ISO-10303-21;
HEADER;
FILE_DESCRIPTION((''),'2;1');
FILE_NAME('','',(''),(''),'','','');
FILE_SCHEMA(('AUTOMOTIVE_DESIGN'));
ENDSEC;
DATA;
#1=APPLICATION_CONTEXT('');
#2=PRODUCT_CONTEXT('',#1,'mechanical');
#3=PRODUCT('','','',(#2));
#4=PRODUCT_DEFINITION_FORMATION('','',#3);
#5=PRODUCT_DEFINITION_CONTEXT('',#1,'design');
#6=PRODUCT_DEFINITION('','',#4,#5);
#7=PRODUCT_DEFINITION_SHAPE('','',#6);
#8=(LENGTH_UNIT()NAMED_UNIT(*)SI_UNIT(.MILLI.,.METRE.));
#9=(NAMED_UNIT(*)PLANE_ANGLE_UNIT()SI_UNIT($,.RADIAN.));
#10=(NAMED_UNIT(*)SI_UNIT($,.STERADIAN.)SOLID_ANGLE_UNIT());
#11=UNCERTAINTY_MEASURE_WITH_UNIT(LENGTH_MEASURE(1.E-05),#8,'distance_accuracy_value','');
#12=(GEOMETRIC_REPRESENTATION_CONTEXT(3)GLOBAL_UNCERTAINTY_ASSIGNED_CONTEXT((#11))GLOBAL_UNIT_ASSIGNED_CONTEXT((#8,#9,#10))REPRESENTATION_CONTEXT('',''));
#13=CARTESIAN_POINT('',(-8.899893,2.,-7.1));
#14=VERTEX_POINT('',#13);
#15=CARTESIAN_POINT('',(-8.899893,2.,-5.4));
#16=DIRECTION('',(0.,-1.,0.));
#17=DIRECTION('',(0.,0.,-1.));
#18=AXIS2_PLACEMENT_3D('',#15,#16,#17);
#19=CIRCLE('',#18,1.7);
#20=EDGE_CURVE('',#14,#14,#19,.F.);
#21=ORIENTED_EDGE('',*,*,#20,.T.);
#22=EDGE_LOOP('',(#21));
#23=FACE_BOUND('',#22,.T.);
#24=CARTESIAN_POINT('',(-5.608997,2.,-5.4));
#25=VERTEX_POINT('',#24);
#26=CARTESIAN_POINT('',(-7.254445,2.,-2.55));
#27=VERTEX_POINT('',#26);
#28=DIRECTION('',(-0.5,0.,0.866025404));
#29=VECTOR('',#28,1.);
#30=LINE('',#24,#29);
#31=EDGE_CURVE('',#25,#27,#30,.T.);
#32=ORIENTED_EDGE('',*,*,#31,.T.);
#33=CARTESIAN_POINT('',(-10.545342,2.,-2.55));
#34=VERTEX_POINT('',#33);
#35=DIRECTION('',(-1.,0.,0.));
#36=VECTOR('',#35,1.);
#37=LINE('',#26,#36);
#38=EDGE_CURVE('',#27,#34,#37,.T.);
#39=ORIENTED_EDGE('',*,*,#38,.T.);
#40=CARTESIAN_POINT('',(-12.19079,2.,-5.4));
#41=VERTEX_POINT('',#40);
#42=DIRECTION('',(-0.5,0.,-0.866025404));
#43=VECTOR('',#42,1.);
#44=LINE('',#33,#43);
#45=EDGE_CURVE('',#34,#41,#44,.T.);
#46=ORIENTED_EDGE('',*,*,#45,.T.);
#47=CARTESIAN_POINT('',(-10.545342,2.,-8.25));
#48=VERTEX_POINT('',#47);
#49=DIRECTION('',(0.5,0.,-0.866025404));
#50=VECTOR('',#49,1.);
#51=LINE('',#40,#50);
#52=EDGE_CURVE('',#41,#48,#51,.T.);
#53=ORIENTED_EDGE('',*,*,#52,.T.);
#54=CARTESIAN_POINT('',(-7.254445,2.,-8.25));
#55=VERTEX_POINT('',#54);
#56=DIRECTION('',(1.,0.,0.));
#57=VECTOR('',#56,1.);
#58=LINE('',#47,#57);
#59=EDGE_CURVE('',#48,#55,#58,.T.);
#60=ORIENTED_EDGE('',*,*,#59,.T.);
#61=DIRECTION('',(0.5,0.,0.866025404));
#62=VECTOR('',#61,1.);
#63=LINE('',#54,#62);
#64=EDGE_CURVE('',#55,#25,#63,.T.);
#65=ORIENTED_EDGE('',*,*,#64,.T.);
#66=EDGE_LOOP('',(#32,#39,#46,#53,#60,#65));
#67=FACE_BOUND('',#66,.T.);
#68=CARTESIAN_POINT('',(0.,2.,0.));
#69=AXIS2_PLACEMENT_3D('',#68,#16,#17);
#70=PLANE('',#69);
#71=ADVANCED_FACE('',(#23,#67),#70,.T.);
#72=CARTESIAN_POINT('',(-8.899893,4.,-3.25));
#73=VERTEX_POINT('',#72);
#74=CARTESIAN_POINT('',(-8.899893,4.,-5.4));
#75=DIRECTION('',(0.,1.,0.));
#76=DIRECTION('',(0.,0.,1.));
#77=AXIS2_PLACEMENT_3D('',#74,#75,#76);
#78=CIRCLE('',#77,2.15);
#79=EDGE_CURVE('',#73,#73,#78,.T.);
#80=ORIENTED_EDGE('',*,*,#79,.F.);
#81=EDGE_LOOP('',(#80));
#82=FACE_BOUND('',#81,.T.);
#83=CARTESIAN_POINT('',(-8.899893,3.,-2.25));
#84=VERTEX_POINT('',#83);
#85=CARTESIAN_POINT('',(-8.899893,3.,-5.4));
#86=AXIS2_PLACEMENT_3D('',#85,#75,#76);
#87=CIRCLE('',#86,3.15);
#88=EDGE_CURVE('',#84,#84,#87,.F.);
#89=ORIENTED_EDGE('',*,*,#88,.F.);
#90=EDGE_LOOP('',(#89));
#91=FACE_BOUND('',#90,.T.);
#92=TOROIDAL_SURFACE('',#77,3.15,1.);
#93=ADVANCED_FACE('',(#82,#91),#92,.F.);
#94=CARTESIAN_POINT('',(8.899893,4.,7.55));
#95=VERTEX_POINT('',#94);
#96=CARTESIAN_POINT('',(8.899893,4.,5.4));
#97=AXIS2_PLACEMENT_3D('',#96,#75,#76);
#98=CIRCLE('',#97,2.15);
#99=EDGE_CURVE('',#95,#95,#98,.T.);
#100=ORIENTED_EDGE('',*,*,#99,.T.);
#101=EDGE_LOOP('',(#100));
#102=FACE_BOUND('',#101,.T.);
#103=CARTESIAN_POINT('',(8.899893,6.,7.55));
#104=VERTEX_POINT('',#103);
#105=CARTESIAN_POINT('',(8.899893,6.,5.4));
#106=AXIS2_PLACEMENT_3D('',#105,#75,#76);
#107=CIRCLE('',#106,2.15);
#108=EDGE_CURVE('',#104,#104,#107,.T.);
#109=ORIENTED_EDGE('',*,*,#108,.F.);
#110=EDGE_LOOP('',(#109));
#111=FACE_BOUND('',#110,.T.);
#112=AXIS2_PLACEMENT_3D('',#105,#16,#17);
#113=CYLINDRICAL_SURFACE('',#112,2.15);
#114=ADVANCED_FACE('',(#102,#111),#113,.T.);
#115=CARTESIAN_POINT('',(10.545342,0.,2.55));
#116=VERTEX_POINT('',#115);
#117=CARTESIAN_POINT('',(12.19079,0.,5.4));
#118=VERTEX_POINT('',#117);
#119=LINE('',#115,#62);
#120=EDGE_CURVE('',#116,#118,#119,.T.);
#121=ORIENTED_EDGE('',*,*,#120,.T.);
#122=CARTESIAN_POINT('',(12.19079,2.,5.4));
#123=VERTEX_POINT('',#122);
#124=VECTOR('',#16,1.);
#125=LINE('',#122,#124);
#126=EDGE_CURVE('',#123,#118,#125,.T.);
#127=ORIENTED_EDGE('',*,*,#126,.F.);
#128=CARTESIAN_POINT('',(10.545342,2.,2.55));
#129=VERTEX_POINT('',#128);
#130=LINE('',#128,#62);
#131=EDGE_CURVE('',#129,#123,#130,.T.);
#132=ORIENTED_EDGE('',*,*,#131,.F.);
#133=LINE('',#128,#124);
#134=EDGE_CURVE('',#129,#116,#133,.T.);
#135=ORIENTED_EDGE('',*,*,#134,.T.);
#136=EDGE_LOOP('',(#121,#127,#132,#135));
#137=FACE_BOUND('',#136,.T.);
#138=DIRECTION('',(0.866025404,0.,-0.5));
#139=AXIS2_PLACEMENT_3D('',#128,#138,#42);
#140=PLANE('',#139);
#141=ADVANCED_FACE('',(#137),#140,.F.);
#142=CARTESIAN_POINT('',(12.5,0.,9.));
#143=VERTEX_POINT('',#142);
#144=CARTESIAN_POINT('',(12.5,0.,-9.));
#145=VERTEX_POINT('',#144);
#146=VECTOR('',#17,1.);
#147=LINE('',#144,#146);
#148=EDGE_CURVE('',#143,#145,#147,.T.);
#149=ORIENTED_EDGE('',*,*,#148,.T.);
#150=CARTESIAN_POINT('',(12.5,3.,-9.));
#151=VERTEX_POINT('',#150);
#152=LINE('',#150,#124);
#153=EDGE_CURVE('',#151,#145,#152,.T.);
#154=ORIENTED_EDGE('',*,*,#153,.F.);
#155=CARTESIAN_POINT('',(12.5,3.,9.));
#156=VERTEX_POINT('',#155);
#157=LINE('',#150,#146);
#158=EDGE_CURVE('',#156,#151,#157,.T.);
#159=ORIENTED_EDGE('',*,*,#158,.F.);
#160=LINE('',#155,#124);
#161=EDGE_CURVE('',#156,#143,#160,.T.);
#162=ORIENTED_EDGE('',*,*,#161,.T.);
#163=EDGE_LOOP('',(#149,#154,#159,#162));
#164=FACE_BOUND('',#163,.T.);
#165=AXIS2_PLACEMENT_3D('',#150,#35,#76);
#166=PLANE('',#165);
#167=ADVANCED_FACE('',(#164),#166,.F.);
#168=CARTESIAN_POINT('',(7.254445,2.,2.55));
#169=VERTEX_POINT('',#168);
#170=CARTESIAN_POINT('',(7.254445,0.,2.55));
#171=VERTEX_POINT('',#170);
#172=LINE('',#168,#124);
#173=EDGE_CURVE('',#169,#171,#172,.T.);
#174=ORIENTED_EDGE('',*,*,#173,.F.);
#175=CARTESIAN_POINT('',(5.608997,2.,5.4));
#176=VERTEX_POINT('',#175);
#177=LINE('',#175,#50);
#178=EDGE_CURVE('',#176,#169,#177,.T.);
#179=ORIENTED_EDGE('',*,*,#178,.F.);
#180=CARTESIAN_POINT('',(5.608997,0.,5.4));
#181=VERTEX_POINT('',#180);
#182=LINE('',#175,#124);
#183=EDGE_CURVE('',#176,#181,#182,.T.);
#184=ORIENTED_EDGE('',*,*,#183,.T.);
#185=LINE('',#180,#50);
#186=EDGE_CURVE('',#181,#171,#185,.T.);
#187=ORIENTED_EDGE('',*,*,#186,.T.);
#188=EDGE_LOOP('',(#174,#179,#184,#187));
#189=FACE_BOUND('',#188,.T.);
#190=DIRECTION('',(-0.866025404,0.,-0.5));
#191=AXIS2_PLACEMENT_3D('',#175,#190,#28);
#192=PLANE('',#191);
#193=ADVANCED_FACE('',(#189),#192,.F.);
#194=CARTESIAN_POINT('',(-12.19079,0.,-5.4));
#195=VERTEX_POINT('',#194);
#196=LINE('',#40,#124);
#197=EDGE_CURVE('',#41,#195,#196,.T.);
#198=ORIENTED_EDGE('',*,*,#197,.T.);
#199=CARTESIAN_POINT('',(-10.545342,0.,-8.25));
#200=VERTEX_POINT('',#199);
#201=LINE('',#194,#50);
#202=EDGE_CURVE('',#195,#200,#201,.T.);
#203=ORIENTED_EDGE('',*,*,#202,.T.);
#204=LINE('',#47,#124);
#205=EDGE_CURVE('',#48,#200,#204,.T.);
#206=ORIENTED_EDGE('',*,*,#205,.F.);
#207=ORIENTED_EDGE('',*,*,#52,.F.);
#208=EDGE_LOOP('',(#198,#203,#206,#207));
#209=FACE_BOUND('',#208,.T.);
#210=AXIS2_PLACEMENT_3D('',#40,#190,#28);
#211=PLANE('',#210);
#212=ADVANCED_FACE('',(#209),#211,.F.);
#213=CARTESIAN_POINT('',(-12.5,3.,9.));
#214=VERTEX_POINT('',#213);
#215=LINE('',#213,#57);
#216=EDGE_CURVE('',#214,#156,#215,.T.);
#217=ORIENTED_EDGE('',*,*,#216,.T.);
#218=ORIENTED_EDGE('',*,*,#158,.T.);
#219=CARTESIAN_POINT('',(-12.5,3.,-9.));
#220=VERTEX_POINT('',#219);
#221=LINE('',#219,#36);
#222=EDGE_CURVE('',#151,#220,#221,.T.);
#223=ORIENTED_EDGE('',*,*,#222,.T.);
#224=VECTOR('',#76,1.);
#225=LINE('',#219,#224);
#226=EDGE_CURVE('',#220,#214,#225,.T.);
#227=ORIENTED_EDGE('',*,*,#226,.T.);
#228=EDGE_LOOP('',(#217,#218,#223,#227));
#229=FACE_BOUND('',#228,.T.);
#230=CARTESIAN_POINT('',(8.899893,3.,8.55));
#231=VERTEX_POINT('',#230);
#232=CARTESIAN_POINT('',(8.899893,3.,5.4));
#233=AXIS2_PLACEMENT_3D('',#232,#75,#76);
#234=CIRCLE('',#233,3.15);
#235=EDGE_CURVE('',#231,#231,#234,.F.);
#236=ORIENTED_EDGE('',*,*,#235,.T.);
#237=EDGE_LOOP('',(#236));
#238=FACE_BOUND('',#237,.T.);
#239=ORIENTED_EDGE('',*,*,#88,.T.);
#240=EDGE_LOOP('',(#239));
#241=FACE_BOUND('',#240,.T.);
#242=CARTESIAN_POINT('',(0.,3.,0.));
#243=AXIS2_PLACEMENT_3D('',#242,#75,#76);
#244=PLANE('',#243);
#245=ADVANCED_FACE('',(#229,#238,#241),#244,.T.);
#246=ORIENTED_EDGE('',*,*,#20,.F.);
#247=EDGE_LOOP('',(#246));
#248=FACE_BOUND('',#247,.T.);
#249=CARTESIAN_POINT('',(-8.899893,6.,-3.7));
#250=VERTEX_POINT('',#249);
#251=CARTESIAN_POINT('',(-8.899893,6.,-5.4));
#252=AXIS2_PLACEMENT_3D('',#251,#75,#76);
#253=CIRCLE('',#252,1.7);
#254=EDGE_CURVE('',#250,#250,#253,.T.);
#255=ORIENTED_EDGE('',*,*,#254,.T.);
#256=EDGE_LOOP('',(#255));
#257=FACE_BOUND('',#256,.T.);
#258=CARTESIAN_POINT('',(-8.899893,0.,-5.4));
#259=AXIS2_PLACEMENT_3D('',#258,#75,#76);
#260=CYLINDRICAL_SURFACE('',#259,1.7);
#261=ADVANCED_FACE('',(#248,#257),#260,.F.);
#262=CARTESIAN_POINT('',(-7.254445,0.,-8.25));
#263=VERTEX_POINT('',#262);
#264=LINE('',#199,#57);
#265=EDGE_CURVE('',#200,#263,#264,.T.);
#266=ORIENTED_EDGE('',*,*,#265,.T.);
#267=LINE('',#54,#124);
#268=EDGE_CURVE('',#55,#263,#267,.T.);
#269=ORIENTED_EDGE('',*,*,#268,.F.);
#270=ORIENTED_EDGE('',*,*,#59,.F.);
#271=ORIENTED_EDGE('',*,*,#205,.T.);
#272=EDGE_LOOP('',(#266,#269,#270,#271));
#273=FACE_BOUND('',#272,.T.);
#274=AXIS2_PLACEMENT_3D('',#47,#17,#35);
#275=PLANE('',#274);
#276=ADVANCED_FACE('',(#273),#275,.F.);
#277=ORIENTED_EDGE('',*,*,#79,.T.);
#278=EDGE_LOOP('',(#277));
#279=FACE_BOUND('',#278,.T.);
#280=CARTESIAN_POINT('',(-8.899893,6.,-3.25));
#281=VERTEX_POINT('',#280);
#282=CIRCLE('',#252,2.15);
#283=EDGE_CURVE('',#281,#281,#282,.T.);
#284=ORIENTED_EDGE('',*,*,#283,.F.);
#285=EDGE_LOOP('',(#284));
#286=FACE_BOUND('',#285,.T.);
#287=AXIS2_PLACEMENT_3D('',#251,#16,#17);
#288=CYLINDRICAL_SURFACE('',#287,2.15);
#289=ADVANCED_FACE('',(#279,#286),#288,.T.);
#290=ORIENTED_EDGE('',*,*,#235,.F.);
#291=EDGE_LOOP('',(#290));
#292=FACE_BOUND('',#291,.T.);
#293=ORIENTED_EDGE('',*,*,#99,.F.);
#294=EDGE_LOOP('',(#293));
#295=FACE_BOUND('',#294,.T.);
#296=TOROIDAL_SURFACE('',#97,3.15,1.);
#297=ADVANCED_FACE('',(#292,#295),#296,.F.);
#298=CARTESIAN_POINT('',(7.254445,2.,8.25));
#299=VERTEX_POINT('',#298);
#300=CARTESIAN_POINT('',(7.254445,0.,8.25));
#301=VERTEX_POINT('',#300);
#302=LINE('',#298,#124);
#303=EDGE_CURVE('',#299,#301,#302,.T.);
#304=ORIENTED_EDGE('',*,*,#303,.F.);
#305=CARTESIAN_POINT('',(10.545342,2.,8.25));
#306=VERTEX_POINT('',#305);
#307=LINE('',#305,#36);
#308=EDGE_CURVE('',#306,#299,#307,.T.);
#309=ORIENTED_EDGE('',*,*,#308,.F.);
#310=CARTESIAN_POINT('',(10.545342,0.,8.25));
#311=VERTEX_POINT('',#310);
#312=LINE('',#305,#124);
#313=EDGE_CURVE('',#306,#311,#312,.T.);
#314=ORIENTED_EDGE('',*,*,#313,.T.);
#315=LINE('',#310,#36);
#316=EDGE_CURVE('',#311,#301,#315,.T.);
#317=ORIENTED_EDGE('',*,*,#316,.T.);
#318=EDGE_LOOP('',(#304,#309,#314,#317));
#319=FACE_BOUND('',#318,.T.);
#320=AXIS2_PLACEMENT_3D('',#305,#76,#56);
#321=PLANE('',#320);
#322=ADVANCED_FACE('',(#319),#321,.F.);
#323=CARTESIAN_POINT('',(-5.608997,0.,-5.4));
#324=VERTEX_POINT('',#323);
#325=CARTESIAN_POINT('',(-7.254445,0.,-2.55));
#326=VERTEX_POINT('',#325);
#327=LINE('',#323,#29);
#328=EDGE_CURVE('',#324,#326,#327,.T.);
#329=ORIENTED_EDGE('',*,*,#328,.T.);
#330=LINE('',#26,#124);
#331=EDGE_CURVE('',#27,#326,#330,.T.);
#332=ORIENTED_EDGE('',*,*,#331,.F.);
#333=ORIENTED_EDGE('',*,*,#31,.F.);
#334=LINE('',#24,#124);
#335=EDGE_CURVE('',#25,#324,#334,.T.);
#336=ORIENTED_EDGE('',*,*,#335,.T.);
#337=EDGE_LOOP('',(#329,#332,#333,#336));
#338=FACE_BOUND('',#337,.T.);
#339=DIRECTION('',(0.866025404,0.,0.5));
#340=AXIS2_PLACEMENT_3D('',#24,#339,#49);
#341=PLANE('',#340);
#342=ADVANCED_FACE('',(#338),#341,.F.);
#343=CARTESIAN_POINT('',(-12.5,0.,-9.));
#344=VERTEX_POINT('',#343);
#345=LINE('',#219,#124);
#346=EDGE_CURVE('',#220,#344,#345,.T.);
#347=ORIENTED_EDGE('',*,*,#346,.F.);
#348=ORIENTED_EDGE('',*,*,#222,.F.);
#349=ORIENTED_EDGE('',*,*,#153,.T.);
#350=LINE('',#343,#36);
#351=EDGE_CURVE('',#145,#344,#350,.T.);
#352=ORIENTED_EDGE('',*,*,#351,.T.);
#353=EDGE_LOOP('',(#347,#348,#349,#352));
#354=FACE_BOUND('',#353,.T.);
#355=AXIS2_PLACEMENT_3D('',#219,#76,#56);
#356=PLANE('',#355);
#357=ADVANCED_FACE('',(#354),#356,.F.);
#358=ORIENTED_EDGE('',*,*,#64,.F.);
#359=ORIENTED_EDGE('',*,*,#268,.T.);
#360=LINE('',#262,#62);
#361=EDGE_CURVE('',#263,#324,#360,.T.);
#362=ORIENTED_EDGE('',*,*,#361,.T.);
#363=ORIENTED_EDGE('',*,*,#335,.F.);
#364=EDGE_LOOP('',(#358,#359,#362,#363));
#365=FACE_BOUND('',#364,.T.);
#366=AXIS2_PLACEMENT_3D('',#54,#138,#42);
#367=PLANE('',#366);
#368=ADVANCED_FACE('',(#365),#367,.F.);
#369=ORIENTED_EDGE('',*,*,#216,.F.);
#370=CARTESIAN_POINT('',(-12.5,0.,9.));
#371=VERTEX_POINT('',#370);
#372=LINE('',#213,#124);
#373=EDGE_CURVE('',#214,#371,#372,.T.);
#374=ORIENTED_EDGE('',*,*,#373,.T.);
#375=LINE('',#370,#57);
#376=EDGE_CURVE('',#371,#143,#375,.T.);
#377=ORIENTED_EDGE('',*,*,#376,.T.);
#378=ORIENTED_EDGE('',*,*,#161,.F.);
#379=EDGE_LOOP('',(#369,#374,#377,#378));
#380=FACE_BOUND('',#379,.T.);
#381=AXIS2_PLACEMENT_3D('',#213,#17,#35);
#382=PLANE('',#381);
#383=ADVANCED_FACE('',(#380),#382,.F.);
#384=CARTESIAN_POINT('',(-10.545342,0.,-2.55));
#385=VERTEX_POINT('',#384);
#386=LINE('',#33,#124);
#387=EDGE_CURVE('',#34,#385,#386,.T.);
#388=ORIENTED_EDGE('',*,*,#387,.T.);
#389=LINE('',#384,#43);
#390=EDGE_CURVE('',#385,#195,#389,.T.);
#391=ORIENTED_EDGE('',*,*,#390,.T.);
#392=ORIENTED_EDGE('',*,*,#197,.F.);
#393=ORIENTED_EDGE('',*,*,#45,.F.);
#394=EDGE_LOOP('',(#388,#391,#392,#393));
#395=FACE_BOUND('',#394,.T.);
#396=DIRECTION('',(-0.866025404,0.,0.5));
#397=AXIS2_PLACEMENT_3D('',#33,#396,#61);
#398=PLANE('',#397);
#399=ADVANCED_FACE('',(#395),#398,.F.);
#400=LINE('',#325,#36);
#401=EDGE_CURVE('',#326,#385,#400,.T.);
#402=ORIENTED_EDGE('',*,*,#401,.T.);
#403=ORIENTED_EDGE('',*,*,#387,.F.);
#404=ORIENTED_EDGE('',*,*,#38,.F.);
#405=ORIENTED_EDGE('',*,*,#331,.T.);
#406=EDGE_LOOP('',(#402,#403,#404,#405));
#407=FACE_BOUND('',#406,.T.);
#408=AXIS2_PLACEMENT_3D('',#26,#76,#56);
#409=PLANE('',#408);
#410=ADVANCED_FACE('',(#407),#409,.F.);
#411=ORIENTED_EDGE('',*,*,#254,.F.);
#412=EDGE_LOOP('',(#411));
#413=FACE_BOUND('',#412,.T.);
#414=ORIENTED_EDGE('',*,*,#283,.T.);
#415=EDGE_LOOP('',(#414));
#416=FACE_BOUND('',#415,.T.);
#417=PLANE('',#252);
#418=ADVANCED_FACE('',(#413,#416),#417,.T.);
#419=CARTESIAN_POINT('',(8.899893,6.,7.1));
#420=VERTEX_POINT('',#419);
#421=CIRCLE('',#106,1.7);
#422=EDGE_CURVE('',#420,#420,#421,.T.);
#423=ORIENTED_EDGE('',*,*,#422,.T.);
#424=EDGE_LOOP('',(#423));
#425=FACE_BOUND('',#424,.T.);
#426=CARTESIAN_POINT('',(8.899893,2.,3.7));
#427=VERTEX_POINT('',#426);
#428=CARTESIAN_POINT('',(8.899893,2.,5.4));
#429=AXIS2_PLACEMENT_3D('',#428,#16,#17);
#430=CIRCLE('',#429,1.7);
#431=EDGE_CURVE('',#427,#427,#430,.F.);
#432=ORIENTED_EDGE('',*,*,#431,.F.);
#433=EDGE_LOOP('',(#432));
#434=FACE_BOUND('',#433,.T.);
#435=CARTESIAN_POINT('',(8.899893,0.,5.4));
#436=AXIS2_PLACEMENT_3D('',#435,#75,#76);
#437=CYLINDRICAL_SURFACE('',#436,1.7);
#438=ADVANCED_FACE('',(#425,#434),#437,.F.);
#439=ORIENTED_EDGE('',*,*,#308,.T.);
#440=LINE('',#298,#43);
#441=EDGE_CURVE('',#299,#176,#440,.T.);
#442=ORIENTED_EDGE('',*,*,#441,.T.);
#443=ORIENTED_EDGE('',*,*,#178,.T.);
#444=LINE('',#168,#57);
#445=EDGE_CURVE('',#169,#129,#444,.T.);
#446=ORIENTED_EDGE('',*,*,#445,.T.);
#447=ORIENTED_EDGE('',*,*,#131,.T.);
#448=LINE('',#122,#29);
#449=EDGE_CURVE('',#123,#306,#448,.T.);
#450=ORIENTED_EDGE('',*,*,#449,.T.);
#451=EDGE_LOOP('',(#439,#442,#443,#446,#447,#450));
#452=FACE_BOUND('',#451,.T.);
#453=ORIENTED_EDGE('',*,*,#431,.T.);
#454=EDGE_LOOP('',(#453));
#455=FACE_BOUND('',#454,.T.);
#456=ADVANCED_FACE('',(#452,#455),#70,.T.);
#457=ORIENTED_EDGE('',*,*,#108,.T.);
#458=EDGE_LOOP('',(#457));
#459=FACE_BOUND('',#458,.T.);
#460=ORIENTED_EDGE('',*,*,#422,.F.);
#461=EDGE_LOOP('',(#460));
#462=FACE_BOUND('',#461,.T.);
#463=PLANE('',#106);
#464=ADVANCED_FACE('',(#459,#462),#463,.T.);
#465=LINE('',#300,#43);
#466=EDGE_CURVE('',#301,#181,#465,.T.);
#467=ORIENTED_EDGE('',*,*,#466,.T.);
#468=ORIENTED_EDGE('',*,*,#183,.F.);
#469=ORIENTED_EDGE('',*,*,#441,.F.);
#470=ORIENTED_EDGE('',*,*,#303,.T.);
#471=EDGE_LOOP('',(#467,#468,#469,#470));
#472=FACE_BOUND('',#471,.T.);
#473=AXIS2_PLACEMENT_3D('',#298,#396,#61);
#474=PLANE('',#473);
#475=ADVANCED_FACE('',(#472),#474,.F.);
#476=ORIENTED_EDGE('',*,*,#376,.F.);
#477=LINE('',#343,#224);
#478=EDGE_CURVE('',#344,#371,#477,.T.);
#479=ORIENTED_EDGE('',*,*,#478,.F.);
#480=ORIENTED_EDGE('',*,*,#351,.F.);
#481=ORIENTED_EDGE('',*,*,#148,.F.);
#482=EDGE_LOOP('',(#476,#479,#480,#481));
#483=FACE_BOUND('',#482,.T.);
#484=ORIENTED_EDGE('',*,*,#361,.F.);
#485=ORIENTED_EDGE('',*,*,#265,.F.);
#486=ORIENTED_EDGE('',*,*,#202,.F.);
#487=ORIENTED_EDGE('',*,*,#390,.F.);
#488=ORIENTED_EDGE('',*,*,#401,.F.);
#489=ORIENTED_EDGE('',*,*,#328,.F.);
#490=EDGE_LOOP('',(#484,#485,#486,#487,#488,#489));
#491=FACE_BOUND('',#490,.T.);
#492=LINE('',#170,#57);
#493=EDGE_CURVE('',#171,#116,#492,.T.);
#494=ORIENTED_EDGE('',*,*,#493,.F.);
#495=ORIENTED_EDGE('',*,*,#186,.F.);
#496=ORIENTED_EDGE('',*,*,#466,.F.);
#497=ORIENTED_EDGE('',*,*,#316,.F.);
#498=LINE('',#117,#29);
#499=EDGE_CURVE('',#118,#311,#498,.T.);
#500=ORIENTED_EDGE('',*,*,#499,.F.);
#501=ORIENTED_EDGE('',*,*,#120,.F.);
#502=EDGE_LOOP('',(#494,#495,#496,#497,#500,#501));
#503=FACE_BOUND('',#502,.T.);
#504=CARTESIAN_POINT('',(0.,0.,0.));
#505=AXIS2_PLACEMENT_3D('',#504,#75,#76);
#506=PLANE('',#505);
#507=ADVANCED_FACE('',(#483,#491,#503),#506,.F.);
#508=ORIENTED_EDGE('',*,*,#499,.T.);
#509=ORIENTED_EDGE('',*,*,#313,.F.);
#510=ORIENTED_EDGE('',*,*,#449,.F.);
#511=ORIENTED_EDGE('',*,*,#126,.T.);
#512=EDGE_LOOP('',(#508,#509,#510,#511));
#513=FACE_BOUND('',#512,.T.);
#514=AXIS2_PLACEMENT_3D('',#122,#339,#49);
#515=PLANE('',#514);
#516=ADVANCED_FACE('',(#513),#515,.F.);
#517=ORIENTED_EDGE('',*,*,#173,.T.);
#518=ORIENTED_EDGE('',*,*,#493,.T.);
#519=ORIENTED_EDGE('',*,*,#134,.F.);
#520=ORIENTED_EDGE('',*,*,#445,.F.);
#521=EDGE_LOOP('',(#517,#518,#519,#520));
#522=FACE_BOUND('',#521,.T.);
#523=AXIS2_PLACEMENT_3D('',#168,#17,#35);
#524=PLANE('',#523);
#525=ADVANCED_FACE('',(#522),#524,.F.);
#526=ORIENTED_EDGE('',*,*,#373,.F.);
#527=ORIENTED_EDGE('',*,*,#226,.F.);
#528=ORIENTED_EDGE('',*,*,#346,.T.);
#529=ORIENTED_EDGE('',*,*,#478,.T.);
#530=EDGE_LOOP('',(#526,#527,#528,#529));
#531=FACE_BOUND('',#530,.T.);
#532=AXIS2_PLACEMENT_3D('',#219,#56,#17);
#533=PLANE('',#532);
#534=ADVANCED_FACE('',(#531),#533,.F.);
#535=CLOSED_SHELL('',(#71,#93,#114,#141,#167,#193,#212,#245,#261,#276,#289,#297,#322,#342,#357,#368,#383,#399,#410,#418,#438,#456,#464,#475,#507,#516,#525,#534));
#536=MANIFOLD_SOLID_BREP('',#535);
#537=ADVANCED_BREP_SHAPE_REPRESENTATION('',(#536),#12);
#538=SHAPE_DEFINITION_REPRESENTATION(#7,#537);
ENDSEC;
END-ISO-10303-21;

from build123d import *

# Parameters (mm, degrees)
SKETCH2_W           = 25
SKETCH2_H           = 18
BOSS_EXTRUDE1_DEPTH = 3
SKETCH3_R           = 1.7
CUT_EXTRUDE1_DEPTH  = 16.692354826
BOSS_EXTRUDE2_START = 3
SKETCH4_R           = 2.15
SKETCH4_R_2         = 1.7
BOSS_EXTRUDE2_DEPTH = 3
FILLET1_R           = 1
CUT_EXTRUDE2_DEPTH  = 2


with BuildPart() as part:
    # Sketch2 → Boss-Extrude1 (new body)
    with BuildSketch(Plane(origin=(0, 0, 0), x_dir=(1, 0, 0), z_dir=(0, 1, 0))):
        Rectangle(SKETCH2_W, SKETCH2_H)
    extrude(amount=BOSS_EXTRUDE1_DEPTH)

    # Sketch3 → Cut-Extrude1 (cut, through all)
    with BuildSketch(Plane(origin=(0, 3, 0), x_dir=(1, 0, 0), z_dir=(0, 1, 0))):
        with Locations(Location((-8.899893258, 5.4, 0), (0, 0, 270))):
            Circle(SKETCH3_R)
        with Locations(Location((8.899893258, -5.4, 0), (0, 0, 270))):
            Circle(SKETCH3_R)
    extrude(amount=-CUT_EXTRUDE1_DEPTH, mode=Mode.SUBTRACT)

    # Sketch4 → Boss-Extrude2 (add)
    # profile 1 of 2: a face of its own
    with BuildSketch(Plane(origin=(0, 3, 0), x_dir=(1, 0, 0), z_dir=(0, 1, 0)).offset(BOSS_EXTRUDE2_START)):
        with Locations(Location((-8.899893258, 5.4, 0), (0, 0, 270))):
            Circle(SKETCH4_R)
        with Locations(Location((-8.899893258, 5.4, 0), (0, 0, 270))):
            Circle(SKETCH4_R_2, mode=Mode.SUBTRACT)
    # profile 2 of 2: a face of its own
    with BuildSketch(Plane(origin=(0, 3, 0), x_dir=(1, 0, 0), z_dir=(0, 1, 0)).offset(BOSS_EXTRUDE2_START)):
        with Locations(Location((8.899893258, -5.4, 0), (0, 0, 270))):
            Circle(SKETCH4_R)
        with Locations(Location((8.899893258, -5.4, 0), (0, 0, 270))):
            Circle(SKETCH4_R_2, mode=Mode.SUBTRACT)
    extrude(amount=-BOSS_EXTRUDE2_DEPTH)

    # Fillet1
    fillet1_edges = [part.edges().sort_by_distance(p)[0] for p in [
        (-8.899893258, 3, -7.55),
        (8.899893258, 3, 3.25),
    ]]
    fillet(fillet1_edges, radius=FILLET1_R)

    # Sketch5 → Cut-Extrude2 (cut)
    with BuildSketch(Plane.XZ):
        Polygon((10.545341525, 2.55), (12.190789792, 5.4), (10.545341525, 8.25), (7.254444991, 8.25), (5.608996723, 5.4), (7.254444991, 2.55), align=None)
        Polygon((-7.254444991, -8.25), (-5.608996723, -5.4), (-7.254444991, -2.55), (-10.545341525, -2.55), (-12.190789792, -5.4), (-10.545341525, -8.25), align=None)
    extrude(amount=-CUT_EXTRUDE2_DEPTH, mode=Mode.SUBTRACT)


solid = part.part
